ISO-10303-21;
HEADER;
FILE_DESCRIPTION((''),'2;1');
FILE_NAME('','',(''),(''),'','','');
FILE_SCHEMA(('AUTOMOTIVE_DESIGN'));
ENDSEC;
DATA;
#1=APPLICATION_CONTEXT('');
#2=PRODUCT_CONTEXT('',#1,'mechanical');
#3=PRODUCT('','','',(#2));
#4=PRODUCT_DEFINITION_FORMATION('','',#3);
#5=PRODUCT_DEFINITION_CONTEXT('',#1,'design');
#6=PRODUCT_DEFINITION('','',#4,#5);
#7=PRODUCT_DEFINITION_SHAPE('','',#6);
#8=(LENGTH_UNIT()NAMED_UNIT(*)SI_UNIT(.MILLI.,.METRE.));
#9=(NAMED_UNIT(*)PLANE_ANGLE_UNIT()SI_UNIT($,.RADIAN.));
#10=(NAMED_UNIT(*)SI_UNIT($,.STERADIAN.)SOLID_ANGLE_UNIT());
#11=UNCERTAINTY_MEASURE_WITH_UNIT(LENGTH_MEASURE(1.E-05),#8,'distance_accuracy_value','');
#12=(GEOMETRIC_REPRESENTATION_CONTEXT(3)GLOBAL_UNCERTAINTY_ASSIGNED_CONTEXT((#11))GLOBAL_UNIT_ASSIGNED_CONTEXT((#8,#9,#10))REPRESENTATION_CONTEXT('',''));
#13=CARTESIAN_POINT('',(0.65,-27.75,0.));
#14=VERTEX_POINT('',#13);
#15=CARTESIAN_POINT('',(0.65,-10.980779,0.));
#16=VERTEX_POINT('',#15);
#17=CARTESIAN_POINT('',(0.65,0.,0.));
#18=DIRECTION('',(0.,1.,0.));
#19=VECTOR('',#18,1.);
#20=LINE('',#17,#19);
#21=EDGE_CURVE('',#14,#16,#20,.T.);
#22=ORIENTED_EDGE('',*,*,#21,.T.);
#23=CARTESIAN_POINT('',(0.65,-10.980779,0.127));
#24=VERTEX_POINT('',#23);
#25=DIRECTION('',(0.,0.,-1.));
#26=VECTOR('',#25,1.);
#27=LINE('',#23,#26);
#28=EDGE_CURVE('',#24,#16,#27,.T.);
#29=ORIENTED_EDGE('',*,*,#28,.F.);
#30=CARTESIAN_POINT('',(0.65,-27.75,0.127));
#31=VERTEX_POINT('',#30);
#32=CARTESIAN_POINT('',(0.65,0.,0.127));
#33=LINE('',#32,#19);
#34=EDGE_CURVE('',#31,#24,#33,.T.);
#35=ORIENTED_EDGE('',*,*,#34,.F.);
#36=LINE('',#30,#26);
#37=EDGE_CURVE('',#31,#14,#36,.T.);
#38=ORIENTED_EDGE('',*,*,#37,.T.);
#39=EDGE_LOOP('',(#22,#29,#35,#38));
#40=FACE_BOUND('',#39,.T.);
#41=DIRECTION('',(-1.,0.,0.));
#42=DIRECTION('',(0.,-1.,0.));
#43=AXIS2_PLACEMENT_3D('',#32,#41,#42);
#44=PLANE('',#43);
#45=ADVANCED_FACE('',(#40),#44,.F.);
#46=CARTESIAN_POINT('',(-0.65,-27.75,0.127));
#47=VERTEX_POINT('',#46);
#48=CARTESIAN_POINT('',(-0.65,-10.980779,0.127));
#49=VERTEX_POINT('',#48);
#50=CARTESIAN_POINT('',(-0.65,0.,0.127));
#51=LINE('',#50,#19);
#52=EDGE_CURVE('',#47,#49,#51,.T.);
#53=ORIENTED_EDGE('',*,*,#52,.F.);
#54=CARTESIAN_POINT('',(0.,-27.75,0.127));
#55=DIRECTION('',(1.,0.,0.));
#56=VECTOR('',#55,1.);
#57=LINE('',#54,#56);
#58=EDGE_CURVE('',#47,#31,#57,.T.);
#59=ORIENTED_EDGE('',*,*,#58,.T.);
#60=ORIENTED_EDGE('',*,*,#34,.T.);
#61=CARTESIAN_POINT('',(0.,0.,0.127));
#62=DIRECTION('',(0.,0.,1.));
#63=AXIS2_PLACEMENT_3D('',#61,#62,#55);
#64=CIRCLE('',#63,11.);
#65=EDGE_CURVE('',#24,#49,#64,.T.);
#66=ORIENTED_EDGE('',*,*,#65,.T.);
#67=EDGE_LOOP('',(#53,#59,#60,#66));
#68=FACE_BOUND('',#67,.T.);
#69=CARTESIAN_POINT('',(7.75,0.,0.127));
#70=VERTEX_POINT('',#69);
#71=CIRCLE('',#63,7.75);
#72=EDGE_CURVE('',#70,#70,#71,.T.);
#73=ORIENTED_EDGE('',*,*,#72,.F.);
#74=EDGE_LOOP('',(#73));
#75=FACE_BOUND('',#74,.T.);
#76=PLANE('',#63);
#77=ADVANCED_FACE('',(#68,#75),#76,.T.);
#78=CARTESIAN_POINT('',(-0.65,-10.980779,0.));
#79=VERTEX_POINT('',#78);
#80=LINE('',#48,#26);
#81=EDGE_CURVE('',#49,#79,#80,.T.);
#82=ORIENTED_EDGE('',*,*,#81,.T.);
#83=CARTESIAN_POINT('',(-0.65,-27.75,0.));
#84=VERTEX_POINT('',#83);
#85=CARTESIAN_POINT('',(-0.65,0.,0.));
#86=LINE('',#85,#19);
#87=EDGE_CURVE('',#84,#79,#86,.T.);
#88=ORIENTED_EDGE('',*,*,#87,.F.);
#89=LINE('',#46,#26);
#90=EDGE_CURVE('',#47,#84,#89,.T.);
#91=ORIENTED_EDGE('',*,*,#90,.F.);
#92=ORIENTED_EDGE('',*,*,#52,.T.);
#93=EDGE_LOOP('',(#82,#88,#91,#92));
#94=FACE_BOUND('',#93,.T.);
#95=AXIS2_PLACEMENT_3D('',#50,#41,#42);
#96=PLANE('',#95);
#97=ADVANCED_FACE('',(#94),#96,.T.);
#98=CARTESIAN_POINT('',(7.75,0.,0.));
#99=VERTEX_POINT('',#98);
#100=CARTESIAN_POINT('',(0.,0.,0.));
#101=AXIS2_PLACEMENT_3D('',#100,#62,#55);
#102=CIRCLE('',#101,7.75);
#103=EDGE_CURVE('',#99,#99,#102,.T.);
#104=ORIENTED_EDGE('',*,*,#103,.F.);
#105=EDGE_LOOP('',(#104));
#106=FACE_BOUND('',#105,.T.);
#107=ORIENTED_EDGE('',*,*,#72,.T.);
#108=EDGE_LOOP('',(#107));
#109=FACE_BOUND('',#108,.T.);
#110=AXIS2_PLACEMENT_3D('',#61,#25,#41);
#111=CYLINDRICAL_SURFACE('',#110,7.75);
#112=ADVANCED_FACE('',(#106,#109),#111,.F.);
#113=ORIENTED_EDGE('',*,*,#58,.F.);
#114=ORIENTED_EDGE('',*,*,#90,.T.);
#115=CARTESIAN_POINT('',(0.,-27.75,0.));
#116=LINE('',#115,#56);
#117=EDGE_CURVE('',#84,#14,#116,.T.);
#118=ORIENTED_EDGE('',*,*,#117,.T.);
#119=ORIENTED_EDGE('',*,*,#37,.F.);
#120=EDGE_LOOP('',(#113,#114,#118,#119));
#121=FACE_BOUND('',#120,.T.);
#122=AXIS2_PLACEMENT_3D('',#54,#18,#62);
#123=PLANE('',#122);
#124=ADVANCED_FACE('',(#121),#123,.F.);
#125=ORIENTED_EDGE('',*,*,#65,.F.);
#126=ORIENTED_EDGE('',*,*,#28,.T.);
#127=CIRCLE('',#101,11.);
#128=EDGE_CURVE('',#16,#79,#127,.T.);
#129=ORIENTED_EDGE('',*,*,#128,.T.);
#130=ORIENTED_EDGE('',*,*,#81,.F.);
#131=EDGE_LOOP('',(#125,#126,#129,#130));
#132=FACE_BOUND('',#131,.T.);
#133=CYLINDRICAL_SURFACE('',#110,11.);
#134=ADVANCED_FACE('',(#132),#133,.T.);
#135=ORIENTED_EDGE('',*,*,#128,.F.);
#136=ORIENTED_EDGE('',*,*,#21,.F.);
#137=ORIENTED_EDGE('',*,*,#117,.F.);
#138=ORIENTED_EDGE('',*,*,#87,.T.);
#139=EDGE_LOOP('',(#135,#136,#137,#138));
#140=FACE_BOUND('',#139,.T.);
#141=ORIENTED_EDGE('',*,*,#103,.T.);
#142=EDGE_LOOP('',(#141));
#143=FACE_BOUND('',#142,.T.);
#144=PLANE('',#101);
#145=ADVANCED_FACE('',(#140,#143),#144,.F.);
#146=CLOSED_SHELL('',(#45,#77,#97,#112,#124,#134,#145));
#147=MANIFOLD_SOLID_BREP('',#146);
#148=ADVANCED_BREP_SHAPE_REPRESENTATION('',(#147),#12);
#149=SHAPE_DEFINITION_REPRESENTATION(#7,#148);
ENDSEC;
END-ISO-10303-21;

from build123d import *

# Parameters (mm, degrees)
BOSS_EXTRUDE1_DEPTH = 0.127


with BuildPart() as part:
    # Sketch1 → Boss-Extrude1 (new body)
    # profile 1 of 5: a face of its own
    with BuildSketch(Plane.XY):
        with BuildLine():
            Line((-0.65, -7.75), (0, -7.75))
            Line((0, -7.75), (0.65, -7.75))
            Line((0.65, -7.75), (0.65, -10.980778661))
            ThreePointArc((0.65, -10.980778661), (8.004686128, -7.544865804), (11, 0))
            ThreePointArc((11, 0), (-7.544865804, 8.004686128), (-0.65, -10.980778661))
            Line((-0.65, -10.980778661), (-0.65, -7.75))
        make_face()
        with BuildLine():
            ThreePointArc((7.75, 0), (5.480077554, -5.480077554), (0, -7.75))
            ThreePointArc((0, -7.75), (-5.480077554, 5.480077554), (7.75, 0))
        make_face(mode=Mode.SUBTRACT)
    # profile 2 of 5: a face of its own
    with BuildSketch(Plane.XY):
        with BuildLine():
            Line((0.65, -7.75), (0, -7.75))
            Line((0, -7.75), (0, -11))
            ThreePointArc((0, -11), (0.325142069, -10.995193615), (0.65, -10.980778661))
            Line((0.65, -10.980778661), (0.65, -7.75))
        make_face()
    # profile 3 of 5: a face of its own
    with BuildSketch(Plane.XY):
        with BuildLine():
            Line((0, -11), (0, -7.75))
            Line((0, -7.75), (-0.65, -7.75))
            Line((-0.65, -7.75), (-0.65, -10.980778661))
            ThreePointArc((-0.65, -10.980778661), (-0.325142069, -10.995193615), (0, -11))
        make_face()
    # profile 4 of 5: a face of its own
    with BuildSketch(Plane.XY):
        with BuildLine():
            Line((0, -27.75), (0, -11))
            ThreePointArc((0, -11), (-0.325142069, -10.995193615), (-0.65, -10.980778661))
            Line((-0.65, -10.980778661), (-0.65, -27.75))
            Line((-0.65, -27.75), (0, -27.75))
        make_face()
    # profile 5 of 5: a face of its own
    with BuildSketch(Plane.XY):
        with BuildLine():
            ThreePointArc((0.65, -10.980778661), (0.325142069, -10.995193615), (0, -11))
            Line((0, -11), (0, -27.75))
            Line((0, -27.75), (0.65, -27.75))
            Line((0.65, -27.75), (0.65, -10.980778661))
        make_face()
    extrude(amount=BOSS_EXTRUDE1_DEPTH)


solid = part.part
